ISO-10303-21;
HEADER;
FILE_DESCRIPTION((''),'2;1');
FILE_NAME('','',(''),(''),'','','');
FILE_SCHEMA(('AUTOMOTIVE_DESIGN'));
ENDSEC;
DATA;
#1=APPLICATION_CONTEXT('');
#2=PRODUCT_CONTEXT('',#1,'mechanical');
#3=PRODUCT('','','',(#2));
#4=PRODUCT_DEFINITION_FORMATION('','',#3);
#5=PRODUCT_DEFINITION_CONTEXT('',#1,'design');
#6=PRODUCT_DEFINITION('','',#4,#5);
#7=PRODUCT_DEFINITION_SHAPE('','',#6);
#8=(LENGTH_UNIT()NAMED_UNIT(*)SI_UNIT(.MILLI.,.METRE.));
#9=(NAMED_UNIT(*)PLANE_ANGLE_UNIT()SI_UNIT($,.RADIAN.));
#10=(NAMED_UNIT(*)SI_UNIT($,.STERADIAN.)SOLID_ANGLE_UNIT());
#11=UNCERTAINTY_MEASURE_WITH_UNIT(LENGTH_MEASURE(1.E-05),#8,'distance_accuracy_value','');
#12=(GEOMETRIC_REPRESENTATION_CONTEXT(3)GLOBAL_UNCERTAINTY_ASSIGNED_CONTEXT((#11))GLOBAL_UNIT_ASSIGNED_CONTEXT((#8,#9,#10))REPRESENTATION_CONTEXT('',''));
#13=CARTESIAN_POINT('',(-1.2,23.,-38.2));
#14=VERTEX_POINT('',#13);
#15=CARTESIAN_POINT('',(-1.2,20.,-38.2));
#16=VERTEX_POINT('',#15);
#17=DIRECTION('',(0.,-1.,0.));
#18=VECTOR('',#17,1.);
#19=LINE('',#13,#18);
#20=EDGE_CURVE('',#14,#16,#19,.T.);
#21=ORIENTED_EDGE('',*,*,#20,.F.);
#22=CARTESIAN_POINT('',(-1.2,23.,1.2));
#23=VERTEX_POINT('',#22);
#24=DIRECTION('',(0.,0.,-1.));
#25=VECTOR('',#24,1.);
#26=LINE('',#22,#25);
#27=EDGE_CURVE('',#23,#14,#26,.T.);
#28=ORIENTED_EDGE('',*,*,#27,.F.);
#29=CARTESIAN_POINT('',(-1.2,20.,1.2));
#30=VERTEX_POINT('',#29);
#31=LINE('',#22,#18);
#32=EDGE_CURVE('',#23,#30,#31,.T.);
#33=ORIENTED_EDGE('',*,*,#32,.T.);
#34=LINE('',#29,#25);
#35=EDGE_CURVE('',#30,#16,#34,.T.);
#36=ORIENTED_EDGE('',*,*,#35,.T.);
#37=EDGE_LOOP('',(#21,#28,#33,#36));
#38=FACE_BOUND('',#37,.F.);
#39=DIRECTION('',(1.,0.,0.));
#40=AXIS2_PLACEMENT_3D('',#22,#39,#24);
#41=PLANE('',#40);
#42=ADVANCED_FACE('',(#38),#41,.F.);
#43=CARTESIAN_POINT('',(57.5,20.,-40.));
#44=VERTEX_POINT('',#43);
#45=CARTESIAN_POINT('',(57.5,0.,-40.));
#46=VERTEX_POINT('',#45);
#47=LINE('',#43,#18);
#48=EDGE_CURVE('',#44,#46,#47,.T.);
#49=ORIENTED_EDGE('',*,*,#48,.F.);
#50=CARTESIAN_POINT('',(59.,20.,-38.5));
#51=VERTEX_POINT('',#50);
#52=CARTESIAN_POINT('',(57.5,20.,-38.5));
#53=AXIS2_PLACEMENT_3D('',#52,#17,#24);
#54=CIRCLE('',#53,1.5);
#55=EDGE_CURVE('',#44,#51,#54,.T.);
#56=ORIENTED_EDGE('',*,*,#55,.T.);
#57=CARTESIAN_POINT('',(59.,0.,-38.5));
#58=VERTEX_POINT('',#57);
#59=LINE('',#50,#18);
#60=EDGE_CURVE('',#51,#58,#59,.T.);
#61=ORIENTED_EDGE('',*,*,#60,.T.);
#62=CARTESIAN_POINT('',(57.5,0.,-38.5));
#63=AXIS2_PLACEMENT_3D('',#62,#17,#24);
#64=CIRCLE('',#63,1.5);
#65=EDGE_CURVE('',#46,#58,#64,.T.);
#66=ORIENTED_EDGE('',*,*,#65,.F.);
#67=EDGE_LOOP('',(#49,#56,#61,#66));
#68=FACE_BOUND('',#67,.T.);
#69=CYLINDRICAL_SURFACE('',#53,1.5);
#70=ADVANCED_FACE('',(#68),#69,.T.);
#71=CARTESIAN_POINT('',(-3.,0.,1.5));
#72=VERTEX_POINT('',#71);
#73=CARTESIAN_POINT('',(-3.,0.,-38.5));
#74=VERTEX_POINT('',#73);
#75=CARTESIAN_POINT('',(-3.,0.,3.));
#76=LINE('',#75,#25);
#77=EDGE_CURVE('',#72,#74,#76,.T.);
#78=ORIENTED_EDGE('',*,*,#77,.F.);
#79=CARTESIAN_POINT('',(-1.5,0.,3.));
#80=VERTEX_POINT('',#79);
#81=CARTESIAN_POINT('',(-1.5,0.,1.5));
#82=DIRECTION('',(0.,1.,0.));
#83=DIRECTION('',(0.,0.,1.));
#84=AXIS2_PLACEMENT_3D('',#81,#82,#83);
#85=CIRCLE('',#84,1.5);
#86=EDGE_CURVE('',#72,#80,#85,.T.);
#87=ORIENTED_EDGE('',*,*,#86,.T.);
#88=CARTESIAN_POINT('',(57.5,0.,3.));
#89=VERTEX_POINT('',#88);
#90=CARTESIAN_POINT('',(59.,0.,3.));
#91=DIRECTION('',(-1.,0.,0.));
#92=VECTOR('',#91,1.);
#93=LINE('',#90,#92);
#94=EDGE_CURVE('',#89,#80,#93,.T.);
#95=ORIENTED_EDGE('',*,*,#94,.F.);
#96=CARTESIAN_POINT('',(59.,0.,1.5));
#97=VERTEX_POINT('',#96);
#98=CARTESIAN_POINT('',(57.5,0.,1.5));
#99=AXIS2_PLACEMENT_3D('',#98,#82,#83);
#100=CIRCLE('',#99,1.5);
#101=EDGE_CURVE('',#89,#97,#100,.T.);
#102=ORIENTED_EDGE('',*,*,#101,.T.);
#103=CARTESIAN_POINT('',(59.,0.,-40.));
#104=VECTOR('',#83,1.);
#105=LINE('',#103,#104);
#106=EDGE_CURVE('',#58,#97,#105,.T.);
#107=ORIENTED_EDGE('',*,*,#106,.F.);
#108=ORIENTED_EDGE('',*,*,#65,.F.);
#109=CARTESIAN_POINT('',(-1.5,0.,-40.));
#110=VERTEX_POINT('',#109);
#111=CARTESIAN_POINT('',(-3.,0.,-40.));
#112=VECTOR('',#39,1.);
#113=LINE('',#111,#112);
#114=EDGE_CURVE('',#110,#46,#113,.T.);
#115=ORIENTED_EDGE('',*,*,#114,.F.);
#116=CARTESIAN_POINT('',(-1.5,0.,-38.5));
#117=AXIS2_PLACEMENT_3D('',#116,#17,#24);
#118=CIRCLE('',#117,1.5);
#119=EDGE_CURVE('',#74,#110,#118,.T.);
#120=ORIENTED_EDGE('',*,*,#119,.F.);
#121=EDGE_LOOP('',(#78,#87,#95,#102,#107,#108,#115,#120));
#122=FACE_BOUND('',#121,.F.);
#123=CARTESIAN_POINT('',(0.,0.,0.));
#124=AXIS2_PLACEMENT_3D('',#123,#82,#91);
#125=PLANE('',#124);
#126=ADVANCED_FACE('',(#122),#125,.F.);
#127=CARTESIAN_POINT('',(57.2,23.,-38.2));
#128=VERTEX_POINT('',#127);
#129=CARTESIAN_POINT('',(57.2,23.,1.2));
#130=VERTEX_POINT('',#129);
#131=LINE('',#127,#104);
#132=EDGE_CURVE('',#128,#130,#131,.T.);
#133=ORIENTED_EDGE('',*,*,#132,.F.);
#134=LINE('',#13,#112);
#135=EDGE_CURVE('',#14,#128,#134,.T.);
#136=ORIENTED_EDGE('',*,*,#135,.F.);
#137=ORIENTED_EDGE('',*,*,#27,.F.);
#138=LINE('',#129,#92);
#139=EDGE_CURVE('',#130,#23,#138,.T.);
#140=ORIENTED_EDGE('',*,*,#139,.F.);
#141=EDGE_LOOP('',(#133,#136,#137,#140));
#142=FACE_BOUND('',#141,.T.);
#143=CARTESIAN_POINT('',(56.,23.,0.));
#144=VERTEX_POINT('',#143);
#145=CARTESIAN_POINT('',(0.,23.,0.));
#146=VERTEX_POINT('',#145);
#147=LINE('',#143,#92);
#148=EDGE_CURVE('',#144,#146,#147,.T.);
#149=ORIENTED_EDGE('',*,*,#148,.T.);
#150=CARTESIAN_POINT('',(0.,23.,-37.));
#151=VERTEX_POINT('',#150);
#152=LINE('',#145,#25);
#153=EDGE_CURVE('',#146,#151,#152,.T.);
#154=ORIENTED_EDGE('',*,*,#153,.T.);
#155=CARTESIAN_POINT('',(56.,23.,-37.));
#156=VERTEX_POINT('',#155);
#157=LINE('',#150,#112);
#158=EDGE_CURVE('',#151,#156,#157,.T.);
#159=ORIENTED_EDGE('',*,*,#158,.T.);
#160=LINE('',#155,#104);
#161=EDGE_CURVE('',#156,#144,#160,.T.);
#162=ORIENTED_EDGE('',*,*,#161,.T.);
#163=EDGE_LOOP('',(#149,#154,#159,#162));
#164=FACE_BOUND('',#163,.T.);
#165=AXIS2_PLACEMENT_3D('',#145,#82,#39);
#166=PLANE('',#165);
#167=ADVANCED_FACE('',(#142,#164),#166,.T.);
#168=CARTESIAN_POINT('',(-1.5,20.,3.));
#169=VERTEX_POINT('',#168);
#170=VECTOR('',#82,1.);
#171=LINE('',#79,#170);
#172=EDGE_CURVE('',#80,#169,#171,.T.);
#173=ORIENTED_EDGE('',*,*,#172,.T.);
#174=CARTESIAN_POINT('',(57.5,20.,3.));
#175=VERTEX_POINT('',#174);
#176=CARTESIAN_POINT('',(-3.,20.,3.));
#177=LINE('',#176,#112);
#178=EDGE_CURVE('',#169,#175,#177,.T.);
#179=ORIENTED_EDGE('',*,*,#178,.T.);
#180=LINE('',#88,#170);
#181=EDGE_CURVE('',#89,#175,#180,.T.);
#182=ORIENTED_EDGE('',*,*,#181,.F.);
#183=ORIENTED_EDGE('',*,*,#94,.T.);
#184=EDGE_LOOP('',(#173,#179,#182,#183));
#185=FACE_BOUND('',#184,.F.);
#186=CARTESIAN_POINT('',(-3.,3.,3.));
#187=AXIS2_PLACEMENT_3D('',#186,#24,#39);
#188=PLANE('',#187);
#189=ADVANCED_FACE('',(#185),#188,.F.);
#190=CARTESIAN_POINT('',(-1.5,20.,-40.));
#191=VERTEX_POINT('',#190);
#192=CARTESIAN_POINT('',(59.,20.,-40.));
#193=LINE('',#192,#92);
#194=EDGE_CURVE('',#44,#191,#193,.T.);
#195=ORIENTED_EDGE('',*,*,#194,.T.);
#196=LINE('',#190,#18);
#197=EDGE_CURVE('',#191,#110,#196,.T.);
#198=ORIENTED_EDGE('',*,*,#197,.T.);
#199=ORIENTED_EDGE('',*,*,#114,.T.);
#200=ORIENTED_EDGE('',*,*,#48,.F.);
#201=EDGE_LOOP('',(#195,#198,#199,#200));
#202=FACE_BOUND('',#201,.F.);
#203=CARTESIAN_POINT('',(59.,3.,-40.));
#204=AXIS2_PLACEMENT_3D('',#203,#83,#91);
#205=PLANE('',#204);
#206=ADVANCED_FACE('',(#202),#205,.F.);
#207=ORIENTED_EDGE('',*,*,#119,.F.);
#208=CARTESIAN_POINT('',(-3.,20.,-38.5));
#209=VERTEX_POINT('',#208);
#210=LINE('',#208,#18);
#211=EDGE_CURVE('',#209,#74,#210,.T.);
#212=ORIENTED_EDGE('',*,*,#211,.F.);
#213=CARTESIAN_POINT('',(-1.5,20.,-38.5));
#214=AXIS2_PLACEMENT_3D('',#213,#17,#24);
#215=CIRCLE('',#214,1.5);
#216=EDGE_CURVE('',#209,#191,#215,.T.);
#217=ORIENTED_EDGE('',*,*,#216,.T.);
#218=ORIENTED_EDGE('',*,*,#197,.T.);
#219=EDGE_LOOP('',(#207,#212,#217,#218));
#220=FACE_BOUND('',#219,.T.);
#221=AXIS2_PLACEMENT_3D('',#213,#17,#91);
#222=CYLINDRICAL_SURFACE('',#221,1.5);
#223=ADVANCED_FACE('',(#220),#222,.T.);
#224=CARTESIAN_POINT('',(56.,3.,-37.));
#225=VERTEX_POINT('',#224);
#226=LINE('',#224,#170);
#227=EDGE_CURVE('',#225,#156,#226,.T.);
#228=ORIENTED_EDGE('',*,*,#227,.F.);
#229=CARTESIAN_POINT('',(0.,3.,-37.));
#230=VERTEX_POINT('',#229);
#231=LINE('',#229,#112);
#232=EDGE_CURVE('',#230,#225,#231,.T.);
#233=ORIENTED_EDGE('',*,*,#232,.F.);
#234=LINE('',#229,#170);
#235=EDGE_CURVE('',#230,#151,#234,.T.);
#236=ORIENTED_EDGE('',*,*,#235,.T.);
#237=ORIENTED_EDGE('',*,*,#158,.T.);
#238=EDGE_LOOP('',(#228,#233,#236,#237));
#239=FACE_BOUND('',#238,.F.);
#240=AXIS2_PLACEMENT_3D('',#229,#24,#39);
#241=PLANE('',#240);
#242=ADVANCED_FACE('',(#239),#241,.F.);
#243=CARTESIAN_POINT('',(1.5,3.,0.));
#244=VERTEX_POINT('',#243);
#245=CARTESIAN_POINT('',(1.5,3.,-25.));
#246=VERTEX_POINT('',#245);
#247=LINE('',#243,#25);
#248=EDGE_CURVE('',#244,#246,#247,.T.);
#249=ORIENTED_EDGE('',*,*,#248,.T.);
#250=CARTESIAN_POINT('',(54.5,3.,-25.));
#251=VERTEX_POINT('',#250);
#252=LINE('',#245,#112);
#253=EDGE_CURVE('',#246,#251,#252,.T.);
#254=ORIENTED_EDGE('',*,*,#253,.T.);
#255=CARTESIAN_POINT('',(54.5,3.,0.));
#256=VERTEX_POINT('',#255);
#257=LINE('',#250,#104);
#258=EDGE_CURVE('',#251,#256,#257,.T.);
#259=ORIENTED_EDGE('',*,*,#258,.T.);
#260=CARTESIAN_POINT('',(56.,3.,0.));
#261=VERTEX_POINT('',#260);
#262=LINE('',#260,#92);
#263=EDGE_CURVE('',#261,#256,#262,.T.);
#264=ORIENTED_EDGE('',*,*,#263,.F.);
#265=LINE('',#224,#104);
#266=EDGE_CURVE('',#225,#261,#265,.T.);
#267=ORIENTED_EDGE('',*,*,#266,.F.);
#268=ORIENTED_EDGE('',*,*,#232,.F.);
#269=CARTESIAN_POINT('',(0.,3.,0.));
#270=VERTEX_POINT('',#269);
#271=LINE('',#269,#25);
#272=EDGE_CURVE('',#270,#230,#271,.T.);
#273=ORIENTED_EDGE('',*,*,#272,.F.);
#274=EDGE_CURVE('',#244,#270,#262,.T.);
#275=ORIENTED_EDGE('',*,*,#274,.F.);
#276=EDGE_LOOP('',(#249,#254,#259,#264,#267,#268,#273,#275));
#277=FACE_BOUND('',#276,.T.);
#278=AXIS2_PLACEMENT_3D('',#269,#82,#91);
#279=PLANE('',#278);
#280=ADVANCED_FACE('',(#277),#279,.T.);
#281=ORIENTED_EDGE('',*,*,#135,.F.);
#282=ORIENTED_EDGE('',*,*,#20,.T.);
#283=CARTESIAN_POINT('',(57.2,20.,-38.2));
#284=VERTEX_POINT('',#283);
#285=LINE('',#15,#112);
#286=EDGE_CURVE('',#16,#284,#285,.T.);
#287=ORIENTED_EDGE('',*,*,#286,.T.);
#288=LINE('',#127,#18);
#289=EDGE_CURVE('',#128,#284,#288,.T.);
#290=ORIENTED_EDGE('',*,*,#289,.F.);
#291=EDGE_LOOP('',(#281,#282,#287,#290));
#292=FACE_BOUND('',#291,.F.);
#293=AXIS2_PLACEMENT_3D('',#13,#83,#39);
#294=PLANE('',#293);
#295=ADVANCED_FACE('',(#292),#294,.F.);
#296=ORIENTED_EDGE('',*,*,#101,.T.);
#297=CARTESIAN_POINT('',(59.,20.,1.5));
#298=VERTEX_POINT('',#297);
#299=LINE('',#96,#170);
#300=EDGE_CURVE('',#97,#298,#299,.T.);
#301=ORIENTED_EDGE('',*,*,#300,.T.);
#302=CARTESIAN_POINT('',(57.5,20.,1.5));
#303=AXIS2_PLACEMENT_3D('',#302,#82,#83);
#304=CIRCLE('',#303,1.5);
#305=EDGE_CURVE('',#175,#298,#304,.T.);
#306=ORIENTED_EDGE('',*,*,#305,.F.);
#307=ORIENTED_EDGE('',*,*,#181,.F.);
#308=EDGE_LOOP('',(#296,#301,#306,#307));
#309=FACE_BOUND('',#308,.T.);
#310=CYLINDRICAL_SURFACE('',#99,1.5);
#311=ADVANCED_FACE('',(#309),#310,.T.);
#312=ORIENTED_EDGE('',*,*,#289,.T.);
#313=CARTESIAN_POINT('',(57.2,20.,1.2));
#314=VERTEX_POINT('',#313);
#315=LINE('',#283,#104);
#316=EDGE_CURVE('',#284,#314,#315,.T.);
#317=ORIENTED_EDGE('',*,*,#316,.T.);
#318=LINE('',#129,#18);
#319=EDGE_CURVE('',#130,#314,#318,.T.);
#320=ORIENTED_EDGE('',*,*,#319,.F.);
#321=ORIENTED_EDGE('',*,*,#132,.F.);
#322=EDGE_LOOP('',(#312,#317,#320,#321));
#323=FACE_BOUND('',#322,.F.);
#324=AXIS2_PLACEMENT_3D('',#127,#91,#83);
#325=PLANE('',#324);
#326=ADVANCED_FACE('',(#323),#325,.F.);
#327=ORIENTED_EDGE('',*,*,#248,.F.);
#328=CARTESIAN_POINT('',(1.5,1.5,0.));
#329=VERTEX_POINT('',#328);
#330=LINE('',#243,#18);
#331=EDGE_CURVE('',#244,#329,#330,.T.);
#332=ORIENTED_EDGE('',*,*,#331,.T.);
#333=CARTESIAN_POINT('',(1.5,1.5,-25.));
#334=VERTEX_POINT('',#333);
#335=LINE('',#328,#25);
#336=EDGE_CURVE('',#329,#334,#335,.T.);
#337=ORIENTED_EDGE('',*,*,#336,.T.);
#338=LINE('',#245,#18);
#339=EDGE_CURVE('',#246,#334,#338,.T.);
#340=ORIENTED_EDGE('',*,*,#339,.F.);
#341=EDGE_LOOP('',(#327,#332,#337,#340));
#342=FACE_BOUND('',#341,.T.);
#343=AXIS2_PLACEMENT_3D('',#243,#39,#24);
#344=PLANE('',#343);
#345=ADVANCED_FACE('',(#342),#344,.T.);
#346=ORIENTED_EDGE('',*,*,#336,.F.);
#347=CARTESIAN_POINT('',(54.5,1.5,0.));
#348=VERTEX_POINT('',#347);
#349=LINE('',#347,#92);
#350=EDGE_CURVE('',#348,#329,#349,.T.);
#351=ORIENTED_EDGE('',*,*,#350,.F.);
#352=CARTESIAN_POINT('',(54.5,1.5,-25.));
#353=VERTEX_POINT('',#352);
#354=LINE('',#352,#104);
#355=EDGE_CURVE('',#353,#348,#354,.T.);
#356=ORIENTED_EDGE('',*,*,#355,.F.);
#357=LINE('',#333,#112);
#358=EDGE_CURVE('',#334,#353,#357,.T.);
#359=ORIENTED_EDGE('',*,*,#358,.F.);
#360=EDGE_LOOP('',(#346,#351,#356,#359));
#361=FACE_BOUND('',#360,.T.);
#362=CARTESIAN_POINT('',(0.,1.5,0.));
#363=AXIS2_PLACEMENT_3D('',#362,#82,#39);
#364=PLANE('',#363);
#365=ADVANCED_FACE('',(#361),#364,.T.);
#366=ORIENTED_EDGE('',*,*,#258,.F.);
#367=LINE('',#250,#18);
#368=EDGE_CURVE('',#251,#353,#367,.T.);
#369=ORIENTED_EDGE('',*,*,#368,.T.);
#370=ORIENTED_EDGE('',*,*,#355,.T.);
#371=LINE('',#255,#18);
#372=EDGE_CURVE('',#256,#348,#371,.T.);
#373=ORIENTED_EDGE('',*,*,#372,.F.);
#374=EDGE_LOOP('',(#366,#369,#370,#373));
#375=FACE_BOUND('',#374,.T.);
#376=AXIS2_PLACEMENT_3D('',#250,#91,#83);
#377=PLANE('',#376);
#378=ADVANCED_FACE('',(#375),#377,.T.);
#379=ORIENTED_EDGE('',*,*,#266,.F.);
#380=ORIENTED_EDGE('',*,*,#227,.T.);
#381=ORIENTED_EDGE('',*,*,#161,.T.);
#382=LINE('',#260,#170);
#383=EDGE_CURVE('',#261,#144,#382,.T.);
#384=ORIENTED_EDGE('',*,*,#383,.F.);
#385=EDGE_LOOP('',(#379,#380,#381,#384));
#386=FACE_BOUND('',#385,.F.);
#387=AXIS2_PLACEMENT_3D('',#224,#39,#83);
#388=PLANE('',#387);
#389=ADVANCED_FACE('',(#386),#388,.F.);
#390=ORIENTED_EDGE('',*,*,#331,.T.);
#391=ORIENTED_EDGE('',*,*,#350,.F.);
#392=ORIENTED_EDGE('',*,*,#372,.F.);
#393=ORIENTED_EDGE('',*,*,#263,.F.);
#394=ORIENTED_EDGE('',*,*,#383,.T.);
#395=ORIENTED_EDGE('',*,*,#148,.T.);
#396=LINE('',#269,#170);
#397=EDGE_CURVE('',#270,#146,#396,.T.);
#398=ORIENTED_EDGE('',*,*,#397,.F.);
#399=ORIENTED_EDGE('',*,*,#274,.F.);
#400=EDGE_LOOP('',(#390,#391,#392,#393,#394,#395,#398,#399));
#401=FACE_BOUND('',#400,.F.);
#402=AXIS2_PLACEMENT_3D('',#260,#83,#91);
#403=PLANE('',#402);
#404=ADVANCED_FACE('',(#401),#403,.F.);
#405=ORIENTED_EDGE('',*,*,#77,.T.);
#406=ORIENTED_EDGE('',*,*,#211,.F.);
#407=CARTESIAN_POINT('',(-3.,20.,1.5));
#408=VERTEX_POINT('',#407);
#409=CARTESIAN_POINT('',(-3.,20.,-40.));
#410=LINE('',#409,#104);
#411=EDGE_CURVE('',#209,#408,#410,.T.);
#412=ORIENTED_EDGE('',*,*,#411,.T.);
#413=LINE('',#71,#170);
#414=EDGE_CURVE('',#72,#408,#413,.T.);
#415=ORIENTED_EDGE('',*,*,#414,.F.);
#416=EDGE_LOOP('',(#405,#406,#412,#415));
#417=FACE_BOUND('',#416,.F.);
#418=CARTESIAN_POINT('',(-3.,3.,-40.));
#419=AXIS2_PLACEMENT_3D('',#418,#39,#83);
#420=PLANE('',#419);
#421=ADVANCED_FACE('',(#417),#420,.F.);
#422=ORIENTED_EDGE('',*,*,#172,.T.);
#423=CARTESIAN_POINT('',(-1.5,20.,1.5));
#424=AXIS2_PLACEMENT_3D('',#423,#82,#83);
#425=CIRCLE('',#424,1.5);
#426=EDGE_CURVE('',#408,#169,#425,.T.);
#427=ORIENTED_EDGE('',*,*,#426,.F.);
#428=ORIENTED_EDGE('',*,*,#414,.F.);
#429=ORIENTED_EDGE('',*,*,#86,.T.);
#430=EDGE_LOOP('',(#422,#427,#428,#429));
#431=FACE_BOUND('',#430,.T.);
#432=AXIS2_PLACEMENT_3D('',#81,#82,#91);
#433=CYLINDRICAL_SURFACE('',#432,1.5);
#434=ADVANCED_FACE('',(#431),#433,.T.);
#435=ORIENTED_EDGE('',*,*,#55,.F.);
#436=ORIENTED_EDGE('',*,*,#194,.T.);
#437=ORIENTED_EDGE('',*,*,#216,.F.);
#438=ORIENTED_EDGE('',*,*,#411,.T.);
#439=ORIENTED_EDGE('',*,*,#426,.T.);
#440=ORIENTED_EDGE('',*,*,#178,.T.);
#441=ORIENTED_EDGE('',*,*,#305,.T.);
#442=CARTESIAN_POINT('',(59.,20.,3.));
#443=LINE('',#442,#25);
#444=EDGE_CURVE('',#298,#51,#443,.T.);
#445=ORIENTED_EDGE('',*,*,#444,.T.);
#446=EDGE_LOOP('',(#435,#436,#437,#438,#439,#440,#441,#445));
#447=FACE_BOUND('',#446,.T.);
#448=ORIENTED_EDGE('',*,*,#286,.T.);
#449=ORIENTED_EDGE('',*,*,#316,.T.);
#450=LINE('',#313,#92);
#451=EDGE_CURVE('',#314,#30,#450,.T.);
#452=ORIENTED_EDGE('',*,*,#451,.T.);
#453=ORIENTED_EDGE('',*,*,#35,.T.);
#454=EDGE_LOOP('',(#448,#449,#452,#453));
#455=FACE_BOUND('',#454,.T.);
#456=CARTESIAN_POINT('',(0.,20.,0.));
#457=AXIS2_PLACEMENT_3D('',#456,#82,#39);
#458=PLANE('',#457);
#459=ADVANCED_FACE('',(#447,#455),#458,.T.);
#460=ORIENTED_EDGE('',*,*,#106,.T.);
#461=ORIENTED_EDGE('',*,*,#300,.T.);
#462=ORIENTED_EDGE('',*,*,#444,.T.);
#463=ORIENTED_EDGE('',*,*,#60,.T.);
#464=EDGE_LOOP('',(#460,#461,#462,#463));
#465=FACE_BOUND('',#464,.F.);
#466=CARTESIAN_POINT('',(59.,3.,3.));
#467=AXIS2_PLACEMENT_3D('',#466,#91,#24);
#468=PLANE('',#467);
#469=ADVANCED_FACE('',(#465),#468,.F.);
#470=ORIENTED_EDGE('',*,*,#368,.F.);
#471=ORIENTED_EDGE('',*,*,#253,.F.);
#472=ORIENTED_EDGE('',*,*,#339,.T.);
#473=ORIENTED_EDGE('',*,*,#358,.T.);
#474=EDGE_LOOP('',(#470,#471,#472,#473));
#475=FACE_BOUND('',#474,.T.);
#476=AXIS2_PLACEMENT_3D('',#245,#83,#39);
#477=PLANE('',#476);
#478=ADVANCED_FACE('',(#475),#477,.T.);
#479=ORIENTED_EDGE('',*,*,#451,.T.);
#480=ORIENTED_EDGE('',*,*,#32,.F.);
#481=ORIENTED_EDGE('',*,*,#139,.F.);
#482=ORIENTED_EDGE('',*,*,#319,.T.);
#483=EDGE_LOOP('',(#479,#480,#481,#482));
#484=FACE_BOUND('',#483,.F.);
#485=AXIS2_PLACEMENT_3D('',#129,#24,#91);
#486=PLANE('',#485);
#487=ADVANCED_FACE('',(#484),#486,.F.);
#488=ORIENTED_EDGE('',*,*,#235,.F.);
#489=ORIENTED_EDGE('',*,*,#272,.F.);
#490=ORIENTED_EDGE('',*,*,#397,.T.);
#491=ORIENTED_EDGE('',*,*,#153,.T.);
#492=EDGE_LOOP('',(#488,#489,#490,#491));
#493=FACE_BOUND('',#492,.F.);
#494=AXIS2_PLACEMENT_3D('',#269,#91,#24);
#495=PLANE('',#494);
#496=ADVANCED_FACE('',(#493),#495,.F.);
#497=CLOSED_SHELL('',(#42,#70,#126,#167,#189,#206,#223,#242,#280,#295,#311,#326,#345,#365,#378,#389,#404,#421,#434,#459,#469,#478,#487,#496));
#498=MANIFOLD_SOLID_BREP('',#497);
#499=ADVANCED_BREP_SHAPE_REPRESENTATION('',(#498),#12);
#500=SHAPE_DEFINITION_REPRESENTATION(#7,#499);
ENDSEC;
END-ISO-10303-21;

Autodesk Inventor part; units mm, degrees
sketch "Sketch1" plane through (0, 0, 0) normal (0, 1, 0) x (-1, 0, 0)
  line L0 (0, 0) -> (-56, 0)
  line L1 (-56, 0) -> (-56, -37)
  line L2 (-56, -37) -> (0, -37)
  line L3 (0, -37) -> (0, 0)
  line L4 (3, -40) -> (-59, -40)
  line L5 (-59, -40) -> (-59, 3)
  line L6 (-59, 3) -> (3, 3)
  line L7 (3, 3) -> (3, -40)
  dimension "d0" = 56
  dimension "d1" = 37
  dimension "d2" = 3
extrude "Extrusion1" add sketch "Sketch1" along normal blind 3 contours L3 L2 L1 L0 | L4 L5 L6 L7
sketch "Sketch2" plane through (0, 3, 0) normal (0, 1, 0) x (1, 0, 0)
  line L0 (-3, -3) -> (59, -3) projected
  line L1 (59, -3) -> (59, 40) projected
  line L2 (-3, -3) -> (59, -3)
  line L3 (59, -3) -> (59, 40)
  line L4 (59, 40) -> (-3, 40)
  line L5 (-3, 40) -> (-3, -3)
  line L6 (0, 37) -> (56, 37)
  line L7 (56, 37) -> (56, 0)
  line L8 (56, 0) -> (0, 0)
  line L9 (0, 0) -> (0, 37)
  point P0 (0, 0)
  dimension "d5" = 3
extrude "Extrusion2" add sketch "Sketch2" along normal blind 20
sketch "Sketch3" plane through (0, 3, 0) normal (0, 1, 0) x (1, 0, 0)
  line L0 (1.5, 25) -> (54.5, 25)
  line L1 (54.5, 25) -> (54.5, 0)
  line L2 (54.5, 0) -> (1.5, 0)
  line L3 (1.5, 0) -> (1.5, 25)
  line L4 (0, 37) -> (56, 37) projected
  line L5 (71.4, 0) -> (-15.4, 0) projected
  point P0 (0, 0)
  point P1 (28, 37)
  point P2 (28, 25)
  dimension "d8" = 53
  dimension "d9" = 25
  dimension "d10" = 0
  dimension "d12" = 0
extrude "Extrusion3" cut sketch "Sketch3" against normal blind 1.5
sketch "Sketch4" plane through (0, 23, 0) normal (0, 1, 0) x (1, 0, 0)
  line L0 (-3, -3) -> (59, -3) projected
  line L1 (59, -3) -> (59, 40) projected
  line L2 (-3, -3) -> (59, -3)
  line L3 (59, -3) -> (59, 40)
  line L4 (59, 40) -> (-3, 40)
  line L5 (-3, 40) -> (-3, -3)
  line L6 (-1.2, 38.2) -> (57.2, 38.2)
  line L7 (57.2, 38.2) -> (57.2, -1.2)
  line L8 (57.2, -1.2) -> (-1.2, -1.2)
  line L9 (-1.2, -1.2) -> (-1.2, 38.2)
  point P0 (0, 0)
  dimension "d15" = 1.8
extrude "Extrusion4" cut sketch "Sketch4" against normal blind 3
fillet "Fillet1" radius 1.5 4 edges at (-3, 10, 3) (59, 10, 3) (59, 10, -40) (-3, 10, -40)
sketch "Sketch5" plane through (59, 0, 1.5) normal (1, 0, 0) x (0, 0, -1)
  point P0 (1.5, 0)
equation "\"d0\" = length_inner"
equation "\"d1\" = width_inner"
equation "\"d2\" = thickness"
equation "\"d3\" = thickness"
equation "\"d5\" = thickness"
equation "\"d6\" = height_inner"
equation "\"d8\" = length_batt"
equation "\"d9\" = width_batt"
equation "\"d13\" = 0.5 * thickness"
equation "\"d15\" = 0.6 * thickness"
equation "\"d16\" = thickness"
equation "\"d18\" = 0.5 * thickness"
equation "\"length_inner\" = 56"
equation "\"width_inner\" = 37"
equation "\"height_inner\" = 20"
equation "\"thickness\" = 3"
equation "\"length_batt\" = 53"
equation "\"width_batt\" = 25"
properties part number "ieee_box"
